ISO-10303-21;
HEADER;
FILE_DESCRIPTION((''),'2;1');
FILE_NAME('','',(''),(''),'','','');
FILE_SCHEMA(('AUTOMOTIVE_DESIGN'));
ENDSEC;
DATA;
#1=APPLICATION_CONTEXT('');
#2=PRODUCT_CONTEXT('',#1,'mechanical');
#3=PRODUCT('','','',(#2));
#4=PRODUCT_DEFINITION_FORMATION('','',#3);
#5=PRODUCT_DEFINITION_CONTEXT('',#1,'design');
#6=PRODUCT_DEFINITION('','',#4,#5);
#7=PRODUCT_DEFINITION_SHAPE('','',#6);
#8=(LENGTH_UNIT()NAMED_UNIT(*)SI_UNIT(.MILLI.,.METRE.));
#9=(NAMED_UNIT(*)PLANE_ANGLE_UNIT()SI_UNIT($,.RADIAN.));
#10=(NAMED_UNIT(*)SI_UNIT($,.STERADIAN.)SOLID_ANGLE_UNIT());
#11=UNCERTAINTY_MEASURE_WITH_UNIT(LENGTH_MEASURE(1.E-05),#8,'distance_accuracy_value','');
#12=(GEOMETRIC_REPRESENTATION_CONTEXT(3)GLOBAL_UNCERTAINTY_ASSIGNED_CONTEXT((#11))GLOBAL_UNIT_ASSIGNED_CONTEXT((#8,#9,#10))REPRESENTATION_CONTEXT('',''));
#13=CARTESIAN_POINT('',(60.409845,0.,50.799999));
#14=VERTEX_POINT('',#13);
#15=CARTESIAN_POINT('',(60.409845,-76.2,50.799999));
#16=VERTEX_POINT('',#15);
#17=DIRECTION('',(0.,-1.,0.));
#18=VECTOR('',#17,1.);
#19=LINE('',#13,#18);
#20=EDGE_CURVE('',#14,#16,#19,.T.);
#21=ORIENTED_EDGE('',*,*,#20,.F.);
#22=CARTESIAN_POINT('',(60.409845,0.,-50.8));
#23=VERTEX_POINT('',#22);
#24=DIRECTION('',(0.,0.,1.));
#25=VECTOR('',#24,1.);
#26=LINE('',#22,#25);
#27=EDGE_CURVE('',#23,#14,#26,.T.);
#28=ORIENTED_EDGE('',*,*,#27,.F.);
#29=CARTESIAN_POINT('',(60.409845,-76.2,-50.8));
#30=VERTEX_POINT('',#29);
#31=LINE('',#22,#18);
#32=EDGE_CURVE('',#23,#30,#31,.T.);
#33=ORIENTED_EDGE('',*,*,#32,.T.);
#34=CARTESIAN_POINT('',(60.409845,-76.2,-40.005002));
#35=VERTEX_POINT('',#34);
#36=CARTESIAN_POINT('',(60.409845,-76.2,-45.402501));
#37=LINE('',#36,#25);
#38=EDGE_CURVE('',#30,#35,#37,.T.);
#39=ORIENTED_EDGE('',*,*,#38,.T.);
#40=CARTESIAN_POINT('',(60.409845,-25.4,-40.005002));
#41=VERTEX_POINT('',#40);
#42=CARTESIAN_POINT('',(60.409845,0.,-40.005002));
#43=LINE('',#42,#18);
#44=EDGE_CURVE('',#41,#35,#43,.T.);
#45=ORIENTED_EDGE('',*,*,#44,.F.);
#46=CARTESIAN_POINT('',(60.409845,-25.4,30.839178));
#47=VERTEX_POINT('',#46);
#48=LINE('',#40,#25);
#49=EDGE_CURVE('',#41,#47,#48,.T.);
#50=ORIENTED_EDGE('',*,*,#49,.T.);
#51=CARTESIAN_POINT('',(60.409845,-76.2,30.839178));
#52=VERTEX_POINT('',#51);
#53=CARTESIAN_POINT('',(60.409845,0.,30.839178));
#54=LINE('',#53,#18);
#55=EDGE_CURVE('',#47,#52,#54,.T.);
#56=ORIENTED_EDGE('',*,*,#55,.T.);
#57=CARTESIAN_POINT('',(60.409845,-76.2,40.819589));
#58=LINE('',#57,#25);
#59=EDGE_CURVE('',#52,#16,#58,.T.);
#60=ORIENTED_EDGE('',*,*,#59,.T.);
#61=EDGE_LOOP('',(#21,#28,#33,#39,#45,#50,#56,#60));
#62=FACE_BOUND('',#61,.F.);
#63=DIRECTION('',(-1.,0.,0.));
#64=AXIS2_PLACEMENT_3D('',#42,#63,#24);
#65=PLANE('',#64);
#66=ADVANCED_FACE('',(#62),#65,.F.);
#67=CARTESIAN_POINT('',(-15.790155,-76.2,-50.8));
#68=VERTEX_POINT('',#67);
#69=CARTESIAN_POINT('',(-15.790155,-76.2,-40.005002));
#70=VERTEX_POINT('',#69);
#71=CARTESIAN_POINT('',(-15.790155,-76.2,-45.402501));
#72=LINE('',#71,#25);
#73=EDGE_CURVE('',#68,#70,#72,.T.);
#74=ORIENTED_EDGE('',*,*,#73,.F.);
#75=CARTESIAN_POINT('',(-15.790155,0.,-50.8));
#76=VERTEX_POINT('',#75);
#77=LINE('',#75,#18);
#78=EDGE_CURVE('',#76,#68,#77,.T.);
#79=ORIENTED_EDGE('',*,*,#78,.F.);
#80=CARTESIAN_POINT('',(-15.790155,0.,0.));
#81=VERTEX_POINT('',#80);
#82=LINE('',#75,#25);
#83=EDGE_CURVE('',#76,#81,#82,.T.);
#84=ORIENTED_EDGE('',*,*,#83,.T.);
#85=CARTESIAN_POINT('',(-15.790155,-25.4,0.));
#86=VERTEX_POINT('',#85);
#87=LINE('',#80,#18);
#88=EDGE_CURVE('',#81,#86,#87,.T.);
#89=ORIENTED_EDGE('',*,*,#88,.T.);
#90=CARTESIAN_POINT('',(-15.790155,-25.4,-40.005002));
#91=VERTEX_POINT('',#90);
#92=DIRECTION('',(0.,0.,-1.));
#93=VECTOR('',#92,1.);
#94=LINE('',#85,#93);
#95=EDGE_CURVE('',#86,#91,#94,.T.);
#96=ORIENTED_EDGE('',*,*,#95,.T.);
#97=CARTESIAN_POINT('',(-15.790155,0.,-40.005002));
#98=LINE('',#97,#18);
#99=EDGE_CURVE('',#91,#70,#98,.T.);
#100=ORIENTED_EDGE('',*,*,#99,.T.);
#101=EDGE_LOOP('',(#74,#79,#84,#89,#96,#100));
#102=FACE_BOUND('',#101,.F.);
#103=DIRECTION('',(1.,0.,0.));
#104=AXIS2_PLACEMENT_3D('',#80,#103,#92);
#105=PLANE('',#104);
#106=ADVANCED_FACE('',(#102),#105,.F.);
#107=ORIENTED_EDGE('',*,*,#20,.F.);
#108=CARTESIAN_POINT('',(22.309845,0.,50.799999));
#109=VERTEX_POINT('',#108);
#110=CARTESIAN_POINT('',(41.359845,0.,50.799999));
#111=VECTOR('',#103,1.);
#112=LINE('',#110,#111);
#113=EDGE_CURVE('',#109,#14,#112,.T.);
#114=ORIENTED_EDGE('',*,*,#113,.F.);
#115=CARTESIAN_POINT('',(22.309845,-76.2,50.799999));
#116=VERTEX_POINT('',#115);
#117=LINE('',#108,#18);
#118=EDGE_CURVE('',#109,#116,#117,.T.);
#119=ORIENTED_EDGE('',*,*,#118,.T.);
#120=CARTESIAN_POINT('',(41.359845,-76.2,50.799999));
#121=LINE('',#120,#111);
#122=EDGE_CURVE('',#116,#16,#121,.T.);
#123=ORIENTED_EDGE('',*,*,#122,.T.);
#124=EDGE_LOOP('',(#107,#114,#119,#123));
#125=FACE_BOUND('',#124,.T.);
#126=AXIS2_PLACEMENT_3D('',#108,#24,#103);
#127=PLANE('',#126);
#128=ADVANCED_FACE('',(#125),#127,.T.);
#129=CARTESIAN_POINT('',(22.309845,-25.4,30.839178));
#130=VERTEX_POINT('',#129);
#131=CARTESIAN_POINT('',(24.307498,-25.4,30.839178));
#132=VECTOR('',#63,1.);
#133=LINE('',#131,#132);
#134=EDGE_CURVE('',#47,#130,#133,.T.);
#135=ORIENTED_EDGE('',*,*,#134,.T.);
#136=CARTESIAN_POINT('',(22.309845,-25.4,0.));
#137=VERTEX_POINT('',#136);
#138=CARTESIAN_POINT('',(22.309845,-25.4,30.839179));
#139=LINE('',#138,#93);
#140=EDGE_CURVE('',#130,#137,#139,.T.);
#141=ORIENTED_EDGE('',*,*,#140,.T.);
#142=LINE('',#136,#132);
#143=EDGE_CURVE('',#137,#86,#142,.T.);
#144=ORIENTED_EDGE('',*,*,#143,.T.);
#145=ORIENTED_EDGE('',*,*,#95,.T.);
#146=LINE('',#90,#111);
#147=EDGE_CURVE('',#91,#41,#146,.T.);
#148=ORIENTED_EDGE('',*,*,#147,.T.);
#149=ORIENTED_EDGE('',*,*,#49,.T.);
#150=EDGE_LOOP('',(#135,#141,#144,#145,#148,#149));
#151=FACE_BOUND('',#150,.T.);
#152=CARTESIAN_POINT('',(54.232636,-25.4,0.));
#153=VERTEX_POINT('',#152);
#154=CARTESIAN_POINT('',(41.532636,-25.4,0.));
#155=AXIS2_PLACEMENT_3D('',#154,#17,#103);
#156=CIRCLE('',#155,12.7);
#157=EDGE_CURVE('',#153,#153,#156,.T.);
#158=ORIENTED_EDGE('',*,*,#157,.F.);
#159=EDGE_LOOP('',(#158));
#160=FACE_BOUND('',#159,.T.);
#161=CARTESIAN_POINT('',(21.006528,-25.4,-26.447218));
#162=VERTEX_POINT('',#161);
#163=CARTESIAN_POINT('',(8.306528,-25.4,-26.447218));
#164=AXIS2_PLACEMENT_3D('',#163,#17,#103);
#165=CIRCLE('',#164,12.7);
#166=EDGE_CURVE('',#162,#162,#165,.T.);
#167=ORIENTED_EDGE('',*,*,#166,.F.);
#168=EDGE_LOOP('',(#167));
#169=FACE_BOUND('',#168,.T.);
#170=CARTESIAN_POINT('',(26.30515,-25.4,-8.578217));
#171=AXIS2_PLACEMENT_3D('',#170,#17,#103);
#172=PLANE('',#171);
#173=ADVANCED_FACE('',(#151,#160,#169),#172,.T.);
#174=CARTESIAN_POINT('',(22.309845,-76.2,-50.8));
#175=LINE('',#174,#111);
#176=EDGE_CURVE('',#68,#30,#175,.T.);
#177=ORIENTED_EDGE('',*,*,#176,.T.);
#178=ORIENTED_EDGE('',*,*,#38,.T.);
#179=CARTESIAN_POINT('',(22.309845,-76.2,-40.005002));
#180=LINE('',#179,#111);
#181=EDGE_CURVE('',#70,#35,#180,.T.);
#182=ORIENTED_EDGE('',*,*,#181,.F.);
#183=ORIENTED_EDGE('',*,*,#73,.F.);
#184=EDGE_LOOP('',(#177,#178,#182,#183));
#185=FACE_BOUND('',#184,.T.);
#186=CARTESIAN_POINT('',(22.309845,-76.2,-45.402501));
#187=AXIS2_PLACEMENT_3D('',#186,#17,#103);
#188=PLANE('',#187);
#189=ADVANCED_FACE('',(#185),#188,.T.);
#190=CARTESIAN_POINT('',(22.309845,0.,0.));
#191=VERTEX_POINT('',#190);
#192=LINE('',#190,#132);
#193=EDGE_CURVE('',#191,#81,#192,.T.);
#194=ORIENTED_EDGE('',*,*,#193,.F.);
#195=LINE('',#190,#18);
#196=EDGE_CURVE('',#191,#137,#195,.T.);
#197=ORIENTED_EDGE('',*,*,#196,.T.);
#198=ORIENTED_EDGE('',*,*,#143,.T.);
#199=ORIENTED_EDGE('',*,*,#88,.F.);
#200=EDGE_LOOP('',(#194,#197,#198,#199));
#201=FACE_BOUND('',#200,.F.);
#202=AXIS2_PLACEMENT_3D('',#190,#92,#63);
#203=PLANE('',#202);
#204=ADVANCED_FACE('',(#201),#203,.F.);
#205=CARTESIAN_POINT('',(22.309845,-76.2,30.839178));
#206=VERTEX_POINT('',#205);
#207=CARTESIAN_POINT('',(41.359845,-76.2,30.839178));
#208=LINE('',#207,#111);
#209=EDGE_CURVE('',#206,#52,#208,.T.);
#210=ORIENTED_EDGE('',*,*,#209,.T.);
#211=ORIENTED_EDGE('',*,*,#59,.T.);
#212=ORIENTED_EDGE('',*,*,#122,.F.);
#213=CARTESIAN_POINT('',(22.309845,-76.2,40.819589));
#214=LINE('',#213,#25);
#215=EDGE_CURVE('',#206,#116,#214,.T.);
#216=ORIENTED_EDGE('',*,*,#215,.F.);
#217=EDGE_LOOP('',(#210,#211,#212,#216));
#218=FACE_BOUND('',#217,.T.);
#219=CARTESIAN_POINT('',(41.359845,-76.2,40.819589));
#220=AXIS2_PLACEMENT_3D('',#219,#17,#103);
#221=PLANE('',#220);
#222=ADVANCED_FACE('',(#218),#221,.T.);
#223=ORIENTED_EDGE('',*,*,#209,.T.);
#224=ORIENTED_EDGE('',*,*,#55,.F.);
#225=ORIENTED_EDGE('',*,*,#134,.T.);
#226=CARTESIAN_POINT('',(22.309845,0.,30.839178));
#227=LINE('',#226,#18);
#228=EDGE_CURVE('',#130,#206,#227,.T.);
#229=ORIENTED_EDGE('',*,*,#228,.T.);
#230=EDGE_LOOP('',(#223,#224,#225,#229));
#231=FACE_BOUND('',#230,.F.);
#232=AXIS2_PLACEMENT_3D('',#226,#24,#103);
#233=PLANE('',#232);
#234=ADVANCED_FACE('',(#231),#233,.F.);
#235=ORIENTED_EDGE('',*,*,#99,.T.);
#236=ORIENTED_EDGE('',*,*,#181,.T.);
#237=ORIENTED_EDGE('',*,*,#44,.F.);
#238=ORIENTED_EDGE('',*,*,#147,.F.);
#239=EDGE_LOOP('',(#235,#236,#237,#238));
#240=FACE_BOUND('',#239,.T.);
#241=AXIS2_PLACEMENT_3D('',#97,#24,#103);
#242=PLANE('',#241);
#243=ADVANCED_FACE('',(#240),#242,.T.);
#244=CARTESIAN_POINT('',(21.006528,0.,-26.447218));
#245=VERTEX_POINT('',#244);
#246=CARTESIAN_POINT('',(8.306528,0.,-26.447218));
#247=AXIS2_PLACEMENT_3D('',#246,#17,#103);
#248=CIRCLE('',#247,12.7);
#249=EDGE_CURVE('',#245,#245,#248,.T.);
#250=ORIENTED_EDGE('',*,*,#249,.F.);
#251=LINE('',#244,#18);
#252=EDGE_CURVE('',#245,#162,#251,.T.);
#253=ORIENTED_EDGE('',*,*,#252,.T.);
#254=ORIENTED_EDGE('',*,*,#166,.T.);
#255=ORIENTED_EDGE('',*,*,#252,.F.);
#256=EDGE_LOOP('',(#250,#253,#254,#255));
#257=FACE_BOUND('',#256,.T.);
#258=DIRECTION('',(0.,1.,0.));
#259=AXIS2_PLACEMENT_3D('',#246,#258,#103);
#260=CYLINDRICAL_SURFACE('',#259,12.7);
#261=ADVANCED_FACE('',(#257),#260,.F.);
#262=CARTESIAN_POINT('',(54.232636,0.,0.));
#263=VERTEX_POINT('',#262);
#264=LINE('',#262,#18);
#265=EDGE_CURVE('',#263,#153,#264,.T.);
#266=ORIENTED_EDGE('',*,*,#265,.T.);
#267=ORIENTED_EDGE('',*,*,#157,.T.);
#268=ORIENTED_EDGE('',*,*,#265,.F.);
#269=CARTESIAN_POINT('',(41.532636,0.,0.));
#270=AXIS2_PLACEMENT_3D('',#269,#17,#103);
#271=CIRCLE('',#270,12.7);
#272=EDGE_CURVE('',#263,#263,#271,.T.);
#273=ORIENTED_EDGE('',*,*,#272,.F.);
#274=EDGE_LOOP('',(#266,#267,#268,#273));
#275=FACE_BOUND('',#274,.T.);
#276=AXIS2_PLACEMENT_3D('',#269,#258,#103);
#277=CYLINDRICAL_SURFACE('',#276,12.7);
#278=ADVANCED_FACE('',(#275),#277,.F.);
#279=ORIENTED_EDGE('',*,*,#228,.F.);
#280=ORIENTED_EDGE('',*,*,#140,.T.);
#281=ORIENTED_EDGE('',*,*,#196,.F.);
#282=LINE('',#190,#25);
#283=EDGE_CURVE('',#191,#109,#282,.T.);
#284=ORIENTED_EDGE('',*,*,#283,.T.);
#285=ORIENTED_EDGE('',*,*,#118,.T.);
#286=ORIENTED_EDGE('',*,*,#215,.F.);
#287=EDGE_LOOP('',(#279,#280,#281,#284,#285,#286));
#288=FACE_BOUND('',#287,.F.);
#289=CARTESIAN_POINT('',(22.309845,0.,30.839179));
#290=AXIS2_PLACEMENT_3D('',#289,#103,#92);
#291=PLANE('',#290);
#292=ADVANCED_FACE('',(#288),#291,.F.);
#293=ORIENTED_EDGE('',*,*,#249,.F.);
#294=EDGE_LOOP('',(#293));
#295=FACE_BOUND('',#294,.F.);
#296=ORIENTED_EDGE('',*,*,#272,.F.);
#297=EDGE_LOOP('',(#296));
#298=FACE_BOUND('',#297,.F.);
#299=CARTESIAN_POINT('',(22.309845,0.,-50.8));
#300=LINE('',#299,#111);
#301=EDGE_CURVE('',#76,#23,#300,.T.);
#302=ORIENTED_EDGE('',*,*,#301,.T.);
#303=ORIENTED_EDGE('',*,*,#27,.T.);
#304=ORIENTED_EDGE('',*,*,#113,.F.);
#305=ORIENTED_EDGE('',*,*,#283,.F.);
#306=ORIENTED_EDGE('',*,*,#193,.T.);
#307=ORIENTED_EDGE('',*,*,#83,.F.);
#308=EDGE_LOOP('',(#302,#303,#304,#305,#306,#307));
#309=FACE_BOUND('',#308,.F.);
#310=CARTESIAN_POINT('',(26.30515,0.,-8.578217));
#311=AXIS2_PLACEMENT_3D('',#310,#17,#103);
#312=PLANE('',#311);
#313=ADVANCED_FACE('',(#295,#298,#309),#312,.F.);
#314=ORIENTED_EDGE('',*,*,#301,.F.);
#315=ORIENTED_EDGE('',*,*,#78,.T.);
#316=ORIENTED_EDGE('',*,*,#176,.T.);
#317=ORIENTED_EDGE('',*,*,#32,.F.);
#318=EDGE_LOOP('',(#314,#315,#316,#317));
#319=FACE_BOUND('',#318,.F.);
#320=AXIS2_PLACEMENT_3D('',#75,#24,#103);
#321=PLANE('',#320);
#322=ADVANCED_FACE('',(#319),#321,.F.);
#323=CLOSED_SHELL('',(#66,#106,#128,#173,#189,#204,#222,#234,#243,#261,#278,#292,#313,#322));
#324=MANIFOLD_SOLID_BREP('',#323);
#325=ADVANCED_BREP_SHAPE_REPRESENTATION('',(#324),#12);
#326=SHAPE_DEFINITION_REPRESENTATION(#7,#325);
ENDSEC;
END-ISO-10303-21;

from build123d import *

# Parameters (mm, degrees)
F0_R     = 12.7
F1_DEPTH = 25.4
F0_W     = 38.1
F0_H     = 19.960821
F0_W_2   = 76.2
F0_H_2   = 10.794998
F2_DEPTH = 76.2


with BuildPart() as f1:
    # F0 (on Front) → F1 (new body)
    with BuildSketch(Plane.XZ):
        Polygon((60.409845, 30.839179), (22.309845, 30.839179), (22.309845, 0), (-15.790155, 0), (-15.790155, -40.005002), (60.409845, -40.005002), (60.409845, 0), align=None)
        with Locations((8.306528, -26.447218)):
            Circle(F0_R, mode=Mode.SUBTRACT)
        with Locations((41.532636, 0)):
            Circle(F0_R, mode=Mode.SUBTRACT)
    extrude(amount=F1_DEPTH)

    # F0 (on Front) → F2 (join)
    with BuildSketch(Plane.XZ):
        with Locations((41.359845, 40.819589)):
            Rectangle(F0_W, F0_H)
        with Locations((22.309845, -45.402501)):
            Rectangle(F0_W_2, F0_H_2)
    extrude(amount=F2_DEPTH)


solid = f1.part
